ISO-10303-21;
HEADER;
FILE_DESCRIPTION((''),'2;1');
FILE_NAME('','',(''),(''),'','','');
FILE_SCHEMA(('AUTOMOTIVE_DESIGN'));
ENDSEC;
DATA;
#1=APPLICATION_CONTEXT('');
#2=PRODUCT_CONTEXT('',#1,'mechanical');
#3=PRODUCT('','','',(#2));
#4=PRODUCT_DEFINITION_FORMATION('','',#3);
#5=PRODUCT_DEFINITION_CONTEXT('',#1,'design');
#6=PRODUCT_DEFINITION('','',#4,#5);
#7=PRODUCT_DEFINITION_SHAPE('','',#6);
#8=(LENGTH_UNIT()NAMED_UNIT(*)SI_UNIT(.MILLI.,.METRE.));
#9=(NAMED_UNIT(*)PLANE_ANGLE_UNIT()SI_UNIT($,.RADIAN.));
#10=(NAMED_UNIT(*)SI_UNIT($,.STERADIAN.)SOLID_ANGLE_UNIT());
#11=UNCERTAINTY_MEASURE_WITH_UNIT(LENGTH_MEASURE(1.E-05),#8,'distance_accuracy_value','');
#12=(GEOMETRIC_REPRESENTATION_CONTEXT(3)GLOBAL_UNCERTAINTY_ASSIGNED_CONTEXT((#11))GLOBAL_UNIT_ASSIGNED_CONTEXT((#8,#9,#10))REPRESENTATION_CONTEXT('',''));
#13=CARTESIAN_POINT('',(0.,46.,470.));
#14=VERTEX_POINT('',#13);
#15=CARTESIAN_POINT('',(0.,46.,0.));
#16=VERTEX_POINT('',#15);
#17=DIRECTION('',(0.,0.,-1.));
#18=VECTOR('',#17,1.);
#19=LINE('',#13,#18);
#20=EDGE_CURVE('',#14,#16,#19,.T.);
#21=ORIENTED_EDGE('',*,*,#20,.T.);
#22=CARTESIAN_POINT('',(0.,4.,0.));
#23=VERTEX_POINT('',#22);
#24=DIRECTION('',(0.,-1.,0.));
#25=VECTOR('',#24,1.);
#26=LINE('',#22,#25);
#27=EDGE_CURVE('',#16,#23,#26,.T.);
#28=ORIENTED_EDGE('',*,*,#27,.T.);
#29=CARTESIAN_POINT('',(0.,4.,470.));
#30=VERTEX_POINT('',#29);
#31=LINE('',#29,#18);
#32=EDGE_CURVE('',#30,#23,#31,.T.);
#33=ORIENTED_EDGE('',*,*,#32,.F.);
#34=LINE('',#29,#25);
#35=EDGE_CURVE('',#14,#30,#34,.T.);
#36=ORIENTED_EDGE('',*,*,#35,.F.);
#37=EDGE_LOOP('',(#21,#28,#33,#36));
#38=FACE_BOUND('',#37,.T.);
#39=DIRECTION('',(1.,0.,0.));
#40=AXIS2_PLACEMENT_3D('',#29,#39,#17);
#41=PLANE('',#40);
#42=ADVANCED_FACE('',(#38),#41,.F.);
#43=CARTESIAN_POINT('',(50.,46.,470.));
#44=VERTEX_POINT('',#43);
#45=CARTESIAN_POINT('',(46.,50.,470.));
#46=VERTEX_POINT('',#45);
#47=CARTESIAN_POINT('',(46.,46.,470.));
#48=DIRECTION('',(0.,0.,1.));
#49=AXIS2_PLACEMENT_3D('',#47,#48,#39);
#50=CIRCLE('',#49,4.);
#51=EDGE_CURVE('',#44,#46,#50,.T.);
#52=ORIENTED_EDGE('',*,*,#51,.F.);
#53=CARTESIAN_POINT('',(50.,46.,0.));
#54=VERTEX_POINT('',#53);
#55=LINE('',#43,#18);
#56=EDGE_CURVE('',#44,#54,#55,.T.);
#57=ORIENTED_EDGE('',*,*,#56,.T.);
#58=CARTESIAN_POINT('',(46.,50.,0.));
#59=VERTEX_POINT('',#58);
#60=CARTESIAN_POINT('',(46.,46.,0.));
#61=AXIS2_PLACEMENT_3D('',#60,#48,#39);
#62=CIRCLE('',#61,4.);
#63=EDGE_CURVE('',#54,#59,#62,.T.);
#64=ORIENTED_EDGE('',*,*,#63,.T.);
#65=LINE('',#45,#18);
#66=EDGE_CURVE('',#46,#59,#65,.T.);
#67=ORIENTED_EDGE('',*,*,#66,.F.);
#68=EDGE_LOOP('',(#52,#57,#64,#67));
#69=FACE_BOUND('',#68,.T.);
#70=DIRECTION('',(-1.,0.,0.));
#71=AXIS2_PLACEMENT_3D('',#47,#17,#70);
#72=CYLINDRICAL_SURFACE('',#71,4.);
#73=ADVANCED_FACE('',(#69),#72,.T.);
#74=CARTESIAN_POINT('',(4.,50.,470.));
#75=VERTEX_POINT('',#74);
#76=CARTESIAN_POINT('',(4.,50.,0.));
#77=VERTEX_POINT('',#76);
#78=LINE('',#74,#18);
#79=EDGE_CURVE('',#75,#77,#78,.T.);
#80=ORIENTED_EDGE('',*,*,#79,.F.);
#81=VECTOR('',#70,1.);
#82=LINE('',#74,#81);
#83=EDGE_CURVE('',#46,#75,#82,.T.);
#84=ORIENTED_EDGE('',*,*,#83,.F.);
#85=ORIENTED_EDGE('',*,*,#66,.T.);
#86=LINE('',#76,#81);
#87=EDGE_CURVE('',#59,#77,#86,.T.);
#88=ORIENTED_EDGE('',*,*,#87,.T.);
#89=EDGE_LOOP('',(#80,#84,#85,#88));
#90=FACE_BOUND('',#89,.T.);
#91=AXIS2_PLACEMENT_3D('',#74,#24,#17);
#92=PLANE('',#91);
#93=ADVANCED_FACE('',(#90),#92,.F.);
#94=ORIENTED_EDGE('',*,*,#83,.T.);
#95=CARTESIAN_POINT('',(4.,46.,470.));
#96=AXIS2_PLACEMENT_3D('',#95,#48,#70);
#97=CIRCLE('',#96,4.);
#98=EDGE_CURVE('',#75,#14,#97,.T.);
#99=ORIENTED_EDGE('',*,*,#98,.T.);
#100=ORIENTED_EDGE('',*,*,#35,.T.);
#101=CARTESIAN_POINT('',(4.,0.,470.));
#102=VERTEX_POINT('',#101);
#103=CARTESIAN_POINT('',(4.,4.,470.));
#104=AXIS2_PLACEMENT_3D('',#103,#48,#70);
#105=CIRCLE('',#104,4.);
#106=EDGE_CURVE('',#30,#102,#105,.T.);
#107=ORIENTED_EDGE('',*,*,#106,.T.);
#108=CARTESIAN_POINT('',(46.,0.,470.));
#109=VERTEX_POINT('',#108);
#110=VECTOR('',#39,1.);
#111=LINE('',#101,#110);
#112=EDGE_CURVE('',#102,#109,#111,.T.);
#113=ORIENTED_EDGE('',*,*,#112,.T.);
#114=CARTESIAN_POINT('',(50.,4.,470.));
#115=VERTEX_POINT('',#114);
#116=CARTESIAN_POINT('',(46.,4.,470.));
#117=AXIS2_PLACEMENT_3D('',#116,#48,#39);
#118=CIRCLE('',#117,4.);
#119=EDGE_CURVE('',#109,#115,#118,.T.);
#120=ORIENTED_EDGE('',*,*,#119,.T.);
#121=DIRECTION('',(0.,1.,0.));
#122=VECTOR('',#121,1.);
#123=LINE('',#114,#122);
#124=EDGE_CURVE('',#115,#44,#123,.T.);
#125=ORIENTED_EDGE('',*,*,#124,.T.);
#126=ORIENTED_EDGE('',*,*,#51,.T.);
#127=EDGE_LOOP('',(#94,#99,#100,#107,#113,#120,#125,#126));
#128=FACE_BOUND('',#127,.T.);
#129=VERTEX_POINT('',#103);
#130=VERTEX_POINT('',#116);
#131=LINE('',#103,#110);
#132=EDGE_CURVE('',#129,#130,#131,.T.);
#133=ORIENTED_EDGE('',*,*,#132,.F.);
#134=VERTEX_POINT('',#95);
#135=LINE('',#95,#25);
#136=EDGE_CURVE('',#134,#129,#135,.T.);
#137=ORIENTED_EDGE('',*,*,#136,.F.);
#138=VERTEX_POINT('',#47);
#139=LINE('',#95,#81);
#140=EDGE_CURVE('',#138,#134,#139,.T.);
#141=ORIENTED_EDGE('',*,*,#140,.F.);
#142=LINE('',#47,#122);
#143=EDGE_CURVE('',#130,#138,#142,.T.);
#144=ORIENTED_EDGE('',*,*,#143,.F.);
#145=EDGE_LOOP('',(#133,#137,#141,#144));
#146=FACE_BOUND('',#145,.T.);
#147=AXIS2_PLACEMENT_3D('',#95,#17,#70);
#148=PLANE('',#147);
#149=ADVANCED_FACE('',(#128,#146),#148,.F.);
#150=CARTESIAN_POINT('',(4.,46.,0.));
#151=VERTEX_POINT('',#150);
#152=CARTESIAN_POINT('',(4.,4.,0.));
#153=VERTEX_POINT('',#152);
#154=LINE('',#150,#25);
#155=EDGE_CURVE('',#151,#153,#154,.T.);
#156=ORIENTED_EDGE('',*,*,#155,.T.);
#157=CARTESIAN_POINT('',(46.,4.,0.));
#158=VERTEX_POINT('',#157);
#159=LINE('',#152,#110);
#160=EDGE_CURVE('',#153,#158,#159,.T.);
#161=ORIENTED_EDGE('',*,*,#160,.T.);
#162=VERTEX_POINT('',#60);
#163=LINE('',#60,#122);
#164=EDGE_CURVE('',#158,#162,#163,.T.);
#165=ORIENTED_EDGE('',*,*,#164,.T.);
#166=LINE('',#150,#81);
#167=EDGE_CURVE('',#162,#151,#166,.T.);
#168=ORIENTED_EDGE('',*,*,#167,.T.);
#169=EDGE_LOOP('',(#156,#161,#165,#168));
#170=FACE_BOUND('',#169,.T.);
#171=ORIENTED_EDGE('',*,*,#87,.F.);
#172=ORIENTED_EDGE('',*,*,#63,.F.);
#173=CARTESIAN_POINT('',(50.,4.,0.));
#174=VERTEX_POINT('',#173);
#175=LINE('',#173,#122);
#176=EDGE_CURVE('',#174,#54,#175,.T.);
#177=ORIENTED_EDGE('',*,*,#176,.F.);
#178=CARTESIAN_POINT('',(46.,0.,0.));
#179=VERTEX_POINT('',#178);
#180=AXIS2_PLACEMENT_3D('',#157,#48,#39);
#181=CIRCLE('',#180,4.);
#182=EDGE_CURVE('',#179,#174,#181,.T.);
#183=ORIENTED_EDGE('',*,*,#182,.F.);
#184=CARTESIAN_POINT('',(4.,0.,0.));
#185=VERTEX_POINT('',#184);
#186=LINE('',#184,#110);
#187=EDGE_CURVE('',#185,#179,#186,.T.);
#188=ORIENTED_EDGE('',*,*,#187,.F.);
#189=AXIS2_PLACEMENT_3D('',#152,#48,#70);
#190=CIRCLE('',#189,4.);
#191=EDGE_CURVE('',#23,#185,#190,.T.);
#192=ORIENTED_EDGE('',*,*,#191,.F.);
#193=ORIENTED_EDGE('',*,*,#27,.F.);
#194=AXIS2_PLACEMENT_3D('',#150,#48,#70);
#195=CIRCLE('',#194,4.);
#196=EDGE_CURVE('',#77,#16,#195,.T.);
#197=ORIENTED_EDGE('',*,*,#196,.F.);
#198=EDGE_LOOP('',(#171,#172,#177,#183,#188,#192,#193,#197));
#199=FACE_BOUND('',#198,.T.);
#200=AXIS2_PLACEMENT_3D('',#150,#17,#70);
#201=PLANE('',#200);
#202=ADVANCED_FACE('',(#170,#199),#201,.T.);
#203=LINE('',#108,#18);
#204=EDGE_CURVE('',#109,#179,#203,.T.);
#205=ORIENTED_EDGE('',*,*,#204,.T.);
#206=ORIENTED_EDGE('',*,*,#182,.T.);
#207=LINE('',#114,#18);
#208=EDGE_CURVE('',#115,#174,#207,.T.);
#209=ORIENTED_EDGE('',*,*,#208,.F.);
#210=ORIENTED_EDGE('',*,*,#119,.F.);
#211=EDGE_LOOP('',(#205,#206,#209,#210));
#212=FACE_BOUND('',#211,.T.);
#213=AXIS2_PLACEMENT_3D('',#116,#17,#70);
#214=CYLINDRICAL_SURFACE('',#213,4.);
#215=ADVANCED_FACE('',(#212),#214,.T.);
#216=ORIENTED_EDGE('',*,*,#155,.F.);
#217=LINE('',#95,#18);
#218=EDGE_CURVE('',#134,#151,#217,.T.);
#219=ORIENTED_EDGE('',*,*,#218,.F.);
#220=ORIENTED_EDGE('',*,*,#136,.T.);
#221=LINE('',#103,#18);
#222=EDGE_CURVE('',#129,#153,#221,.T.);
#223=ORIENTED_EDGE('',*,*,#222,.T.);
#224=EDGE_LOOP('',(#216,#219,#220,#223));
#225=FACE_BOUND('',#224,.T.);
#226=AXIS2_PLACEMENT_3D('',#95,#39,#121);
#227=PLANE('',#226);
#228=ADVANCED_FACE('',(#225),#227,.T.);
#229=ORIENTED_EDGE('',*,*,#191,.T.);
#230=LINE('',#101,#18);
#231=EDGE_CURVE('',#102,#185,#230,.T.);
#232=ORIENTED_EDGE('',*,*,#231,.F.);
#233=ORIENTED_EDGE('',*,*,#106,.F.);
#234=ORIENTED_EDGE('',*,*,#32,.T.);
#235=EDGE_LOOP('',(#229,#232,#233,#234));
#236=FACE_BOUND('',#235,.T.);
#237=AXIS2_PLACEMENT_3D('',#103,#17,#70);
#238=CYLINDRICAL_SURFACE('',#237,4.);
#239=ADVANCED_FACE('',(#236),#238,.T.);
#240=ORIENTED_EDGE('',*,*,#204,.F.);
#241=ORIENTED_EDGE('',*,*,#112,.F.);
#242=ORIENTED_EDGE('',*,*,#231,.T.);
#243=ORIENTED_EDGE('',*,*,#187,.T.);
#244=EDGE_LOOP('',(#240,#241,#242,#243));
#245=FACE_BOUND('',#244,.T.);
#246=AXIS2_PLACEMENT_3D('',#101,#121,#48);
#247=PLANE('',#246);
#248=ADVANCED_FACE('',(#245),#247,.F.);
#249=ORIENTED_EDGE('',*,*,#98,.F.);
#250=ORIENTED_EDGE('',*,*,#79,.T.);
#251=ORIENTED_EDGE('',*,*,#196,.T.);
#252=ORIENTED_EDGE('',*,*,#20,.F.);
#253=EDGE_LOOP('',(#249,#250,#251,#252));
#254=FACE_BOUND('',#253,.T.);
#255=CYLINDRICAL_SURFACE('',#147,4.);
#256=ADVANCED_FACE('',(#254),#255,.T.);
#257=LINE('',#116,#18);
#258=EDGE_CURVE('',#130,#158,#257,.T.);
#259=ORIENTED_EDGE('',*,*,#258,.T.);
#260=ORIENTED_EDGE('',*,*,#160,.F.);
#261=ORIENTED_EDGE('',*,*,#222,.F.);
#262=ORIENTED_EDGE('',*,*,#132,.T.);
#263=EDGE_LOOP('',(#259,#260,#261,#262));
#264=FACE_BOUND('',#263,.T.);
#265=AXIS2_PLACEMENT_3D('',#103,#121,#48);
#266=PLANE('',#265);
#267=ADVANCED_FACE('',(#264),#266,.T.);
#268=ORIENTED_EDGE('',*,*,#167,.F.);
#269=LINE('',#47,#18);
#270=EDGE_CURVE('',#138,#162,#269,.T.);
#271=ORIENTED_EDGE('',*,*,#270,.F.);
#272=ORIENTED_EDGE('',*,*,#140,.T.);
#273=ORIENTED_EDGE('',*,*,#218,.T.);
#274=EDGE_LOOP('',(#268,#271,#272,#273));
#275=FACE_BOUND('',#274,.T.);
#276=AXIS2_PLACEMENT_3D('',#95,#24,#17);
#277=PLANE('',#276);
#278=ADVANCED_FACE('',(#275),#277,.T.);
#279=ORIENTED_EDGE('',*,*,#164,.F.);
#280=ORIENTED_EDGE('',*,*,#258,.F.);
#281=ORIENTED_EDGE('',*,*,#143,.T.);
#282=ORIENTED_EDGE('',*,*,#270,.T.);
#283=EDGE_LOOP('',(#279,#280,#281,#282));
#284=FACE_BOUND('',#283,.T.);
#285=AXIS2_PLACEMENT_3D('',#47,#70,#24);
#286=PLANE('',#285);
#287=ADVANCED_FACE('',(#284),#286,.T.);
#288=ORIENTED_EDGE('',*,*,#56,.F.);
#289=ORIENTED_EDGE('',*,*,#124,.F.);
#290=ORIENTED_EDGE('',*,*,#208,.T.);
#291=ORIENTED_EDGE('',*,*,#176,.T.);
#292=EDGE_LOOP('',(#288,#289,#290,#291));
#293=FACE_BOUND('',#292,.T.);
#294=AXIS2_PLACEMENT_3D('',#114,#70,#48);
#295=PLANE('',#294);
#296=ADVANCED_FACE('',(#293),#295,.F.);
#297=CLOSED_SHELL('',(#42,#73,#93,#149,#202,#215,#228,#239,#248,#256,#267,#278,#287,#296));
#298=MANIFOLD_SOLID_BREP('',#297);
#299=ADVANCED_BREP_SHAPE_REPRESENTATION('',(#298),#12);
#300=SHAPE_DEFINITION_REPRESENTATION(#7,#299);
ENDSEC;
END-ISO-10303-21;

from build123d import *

# Parameters (mm, degrees)
SKETCH_1_W      = 42
SKETCH_1_H      = 42
EXTRUDE_1_DEPTH = 470


with BuildPart() as part:
    # Эскиз1 → Бобышка-Вытянуть1 (new body)
    with BuildSketch(Plane.XY):
        with BuildLine():
            Line((4, 0), (46, 0))
            ThreePointArc((46, 0), (48.828427125, 1.171572875), (50, 4))
            Line((50, 4), (50, 46))
            ThreePointArc((50, 46), (48.828427125, 48.828427125), (46, 50))
            Line((46, 50), (4, 50))
            ThreePointArc((4, 50), (1.171572875, 48.828427125), (0, 46))
            Line((0, 46), (0, 4))
            ThreePointArc((0, 4), (1.171572875, 1.171572875), (4, 0))
        make_face()
        with Locations((25, 25)):
            Rectangle(SKETCH_1_W, SKETCH_1_H, mode=Mode.SUBTRACT)
    extrude(amount=EXTRUDE_1_DEPTH)


solid = part.part
